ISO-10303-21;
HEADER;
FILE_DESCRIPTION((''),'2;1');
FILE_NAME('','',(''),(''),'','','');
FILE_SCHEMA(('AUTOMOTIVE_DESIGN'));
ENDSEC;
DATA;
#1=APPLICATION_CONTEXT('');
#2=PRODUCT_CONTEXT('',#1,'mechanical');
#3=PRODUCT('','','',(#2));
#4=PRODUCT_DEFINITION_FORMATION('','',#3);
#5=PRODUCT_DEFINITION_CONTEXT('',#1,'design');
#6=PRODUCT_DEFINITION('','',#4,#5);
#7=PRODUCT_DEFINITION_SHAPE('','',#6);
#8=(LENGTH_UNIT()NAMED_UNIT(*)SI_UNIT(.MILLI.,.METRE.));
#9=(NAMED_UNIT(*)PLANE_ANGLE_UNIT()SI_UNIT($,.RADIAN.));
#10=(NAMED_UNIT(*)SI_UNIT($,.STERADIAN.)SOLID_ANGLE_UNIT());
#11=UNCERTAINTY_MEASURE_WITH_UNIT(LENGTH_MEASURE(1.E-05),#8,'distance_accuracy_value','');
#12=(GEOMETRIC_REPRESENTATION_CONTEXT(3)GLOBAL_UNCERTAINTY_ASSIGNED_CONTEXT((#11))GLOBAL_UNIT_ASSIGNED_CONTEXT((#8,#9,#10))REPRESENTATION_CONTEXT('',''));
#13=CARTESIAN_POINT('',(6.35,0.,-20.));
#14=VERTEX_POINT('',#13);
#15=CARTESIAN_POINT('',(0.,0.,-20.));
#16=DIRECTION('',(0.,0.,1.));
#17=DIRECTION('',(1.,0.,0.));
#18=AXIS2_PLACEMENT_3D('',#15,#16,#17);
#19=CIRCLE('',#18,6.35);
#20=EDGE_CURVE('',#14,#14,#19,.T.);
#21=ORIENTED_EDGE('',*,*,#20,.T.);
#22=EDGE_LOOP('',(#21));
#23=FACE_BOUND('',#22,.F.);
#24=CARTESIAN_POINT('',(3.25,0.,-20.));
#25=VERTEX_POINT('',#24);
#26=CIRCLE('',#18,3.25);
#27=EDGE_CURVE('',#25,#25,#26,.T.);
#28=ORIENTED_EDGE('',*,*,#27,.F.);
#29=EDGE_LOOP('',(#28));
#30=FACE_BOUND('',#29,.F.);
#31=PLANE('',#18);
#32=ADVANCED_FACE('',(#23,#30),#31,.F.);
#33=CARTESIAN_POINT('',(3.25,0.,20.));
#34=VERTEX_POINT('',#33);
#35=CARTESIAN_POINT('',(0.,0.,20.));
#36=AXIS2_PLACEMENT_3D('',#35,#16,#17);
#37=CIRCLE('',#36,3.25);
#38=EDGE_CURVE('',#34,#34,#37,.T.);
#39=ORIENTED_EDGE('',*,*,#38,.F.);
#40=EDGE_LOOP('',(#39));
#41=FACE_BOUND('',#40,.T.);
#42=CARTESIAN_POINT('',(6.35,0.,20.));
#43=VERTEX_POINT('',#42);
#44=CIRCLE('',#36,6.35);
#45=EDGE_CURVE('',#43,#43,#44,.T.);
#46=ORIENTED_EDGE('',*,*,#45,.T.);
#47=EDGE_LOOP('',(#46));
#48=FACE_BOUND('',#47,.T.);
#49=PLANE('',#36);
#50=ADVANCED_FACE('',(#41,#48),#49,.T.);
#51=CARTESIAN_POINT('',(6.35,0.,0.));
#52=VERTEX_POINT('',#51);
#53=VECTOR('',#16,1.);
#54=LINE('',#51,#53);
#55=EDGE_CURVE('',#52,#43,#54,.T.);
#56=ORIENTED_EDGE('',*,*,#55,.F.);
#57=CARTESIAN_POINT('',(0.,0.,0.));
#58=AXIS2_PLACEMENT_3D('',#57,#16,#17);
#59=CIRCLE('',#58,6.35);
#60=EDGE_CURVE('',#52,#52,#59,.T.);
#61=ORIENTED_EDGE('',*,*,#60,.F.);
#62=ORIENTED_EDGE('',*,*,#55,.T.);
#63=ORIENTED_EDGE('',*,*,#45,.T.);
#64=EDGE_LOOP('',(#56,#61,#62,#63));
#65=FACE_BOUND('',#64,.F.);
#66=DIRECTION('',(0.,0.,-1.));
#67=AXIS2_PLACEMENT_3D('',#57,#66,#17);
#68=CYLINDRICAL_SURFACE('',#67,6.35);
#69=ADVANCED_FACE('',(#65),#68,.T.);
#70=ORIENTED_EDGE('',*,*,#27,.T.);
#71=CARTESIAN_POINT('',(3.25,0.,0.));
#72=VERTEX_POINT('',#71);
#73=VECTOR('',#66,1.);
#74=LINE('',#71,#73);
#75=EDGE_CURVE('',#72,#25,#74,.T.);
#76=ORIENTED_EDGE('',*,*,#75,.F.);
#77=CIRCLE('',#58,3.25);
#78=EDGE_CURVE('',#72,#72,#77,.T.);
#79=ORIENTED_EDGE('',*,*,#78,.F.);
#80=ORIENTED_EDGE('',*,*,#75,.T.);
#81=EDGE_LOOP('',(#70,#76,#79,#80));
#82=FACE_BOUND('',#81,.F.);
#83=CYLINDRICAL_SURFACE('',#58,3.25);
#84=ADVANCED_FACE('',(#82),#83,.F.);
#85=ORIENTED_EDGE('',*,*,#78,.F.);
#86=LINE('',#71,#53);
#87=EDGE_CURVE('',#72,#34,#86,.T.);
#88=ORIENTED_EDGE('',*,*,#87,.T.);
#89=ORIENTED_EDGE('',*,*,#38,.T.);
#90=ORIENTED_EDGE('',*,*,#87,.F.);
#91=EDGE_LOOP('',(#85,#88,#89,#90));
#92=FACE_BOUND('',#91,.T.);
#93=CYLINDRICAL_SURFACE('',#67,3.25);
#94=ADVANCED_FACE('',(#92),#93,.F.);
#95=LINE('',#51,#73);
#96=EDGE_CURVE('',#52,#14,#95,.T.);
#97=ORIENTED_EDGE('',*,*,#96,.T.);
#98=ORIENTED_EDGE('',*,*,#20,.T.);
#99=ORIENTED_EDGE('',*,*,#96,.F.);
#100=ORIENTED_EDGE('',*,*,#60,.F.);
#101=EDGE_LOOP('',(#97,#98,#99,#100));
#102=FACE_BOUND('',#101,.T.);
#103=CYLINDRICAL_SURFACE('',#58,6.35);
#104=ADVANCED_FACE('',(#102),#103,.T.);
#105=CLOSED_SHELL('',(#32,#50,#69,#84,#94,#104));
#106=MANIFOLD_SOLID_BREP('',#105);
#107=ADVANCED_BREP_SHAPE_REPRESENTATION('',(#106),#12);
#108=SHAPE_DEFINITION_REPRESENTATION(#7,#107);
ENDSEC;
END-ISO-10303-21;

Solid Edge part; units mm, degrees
sketch "Sketch1" plane through (0, 0, 0) normal (0, 0, 1) x (1, 0, 0)
  circle A0 centre (0, 0) radius 3.25
  circle A1 centre (0, 0) radius 6.35
  dimension "D1" = 6.5
  dimension "D2" = 12.7
extrude "Protrusion1" add sketch "Sketch1" along normal mid plane 40
properties part number "BumbleB0268"
